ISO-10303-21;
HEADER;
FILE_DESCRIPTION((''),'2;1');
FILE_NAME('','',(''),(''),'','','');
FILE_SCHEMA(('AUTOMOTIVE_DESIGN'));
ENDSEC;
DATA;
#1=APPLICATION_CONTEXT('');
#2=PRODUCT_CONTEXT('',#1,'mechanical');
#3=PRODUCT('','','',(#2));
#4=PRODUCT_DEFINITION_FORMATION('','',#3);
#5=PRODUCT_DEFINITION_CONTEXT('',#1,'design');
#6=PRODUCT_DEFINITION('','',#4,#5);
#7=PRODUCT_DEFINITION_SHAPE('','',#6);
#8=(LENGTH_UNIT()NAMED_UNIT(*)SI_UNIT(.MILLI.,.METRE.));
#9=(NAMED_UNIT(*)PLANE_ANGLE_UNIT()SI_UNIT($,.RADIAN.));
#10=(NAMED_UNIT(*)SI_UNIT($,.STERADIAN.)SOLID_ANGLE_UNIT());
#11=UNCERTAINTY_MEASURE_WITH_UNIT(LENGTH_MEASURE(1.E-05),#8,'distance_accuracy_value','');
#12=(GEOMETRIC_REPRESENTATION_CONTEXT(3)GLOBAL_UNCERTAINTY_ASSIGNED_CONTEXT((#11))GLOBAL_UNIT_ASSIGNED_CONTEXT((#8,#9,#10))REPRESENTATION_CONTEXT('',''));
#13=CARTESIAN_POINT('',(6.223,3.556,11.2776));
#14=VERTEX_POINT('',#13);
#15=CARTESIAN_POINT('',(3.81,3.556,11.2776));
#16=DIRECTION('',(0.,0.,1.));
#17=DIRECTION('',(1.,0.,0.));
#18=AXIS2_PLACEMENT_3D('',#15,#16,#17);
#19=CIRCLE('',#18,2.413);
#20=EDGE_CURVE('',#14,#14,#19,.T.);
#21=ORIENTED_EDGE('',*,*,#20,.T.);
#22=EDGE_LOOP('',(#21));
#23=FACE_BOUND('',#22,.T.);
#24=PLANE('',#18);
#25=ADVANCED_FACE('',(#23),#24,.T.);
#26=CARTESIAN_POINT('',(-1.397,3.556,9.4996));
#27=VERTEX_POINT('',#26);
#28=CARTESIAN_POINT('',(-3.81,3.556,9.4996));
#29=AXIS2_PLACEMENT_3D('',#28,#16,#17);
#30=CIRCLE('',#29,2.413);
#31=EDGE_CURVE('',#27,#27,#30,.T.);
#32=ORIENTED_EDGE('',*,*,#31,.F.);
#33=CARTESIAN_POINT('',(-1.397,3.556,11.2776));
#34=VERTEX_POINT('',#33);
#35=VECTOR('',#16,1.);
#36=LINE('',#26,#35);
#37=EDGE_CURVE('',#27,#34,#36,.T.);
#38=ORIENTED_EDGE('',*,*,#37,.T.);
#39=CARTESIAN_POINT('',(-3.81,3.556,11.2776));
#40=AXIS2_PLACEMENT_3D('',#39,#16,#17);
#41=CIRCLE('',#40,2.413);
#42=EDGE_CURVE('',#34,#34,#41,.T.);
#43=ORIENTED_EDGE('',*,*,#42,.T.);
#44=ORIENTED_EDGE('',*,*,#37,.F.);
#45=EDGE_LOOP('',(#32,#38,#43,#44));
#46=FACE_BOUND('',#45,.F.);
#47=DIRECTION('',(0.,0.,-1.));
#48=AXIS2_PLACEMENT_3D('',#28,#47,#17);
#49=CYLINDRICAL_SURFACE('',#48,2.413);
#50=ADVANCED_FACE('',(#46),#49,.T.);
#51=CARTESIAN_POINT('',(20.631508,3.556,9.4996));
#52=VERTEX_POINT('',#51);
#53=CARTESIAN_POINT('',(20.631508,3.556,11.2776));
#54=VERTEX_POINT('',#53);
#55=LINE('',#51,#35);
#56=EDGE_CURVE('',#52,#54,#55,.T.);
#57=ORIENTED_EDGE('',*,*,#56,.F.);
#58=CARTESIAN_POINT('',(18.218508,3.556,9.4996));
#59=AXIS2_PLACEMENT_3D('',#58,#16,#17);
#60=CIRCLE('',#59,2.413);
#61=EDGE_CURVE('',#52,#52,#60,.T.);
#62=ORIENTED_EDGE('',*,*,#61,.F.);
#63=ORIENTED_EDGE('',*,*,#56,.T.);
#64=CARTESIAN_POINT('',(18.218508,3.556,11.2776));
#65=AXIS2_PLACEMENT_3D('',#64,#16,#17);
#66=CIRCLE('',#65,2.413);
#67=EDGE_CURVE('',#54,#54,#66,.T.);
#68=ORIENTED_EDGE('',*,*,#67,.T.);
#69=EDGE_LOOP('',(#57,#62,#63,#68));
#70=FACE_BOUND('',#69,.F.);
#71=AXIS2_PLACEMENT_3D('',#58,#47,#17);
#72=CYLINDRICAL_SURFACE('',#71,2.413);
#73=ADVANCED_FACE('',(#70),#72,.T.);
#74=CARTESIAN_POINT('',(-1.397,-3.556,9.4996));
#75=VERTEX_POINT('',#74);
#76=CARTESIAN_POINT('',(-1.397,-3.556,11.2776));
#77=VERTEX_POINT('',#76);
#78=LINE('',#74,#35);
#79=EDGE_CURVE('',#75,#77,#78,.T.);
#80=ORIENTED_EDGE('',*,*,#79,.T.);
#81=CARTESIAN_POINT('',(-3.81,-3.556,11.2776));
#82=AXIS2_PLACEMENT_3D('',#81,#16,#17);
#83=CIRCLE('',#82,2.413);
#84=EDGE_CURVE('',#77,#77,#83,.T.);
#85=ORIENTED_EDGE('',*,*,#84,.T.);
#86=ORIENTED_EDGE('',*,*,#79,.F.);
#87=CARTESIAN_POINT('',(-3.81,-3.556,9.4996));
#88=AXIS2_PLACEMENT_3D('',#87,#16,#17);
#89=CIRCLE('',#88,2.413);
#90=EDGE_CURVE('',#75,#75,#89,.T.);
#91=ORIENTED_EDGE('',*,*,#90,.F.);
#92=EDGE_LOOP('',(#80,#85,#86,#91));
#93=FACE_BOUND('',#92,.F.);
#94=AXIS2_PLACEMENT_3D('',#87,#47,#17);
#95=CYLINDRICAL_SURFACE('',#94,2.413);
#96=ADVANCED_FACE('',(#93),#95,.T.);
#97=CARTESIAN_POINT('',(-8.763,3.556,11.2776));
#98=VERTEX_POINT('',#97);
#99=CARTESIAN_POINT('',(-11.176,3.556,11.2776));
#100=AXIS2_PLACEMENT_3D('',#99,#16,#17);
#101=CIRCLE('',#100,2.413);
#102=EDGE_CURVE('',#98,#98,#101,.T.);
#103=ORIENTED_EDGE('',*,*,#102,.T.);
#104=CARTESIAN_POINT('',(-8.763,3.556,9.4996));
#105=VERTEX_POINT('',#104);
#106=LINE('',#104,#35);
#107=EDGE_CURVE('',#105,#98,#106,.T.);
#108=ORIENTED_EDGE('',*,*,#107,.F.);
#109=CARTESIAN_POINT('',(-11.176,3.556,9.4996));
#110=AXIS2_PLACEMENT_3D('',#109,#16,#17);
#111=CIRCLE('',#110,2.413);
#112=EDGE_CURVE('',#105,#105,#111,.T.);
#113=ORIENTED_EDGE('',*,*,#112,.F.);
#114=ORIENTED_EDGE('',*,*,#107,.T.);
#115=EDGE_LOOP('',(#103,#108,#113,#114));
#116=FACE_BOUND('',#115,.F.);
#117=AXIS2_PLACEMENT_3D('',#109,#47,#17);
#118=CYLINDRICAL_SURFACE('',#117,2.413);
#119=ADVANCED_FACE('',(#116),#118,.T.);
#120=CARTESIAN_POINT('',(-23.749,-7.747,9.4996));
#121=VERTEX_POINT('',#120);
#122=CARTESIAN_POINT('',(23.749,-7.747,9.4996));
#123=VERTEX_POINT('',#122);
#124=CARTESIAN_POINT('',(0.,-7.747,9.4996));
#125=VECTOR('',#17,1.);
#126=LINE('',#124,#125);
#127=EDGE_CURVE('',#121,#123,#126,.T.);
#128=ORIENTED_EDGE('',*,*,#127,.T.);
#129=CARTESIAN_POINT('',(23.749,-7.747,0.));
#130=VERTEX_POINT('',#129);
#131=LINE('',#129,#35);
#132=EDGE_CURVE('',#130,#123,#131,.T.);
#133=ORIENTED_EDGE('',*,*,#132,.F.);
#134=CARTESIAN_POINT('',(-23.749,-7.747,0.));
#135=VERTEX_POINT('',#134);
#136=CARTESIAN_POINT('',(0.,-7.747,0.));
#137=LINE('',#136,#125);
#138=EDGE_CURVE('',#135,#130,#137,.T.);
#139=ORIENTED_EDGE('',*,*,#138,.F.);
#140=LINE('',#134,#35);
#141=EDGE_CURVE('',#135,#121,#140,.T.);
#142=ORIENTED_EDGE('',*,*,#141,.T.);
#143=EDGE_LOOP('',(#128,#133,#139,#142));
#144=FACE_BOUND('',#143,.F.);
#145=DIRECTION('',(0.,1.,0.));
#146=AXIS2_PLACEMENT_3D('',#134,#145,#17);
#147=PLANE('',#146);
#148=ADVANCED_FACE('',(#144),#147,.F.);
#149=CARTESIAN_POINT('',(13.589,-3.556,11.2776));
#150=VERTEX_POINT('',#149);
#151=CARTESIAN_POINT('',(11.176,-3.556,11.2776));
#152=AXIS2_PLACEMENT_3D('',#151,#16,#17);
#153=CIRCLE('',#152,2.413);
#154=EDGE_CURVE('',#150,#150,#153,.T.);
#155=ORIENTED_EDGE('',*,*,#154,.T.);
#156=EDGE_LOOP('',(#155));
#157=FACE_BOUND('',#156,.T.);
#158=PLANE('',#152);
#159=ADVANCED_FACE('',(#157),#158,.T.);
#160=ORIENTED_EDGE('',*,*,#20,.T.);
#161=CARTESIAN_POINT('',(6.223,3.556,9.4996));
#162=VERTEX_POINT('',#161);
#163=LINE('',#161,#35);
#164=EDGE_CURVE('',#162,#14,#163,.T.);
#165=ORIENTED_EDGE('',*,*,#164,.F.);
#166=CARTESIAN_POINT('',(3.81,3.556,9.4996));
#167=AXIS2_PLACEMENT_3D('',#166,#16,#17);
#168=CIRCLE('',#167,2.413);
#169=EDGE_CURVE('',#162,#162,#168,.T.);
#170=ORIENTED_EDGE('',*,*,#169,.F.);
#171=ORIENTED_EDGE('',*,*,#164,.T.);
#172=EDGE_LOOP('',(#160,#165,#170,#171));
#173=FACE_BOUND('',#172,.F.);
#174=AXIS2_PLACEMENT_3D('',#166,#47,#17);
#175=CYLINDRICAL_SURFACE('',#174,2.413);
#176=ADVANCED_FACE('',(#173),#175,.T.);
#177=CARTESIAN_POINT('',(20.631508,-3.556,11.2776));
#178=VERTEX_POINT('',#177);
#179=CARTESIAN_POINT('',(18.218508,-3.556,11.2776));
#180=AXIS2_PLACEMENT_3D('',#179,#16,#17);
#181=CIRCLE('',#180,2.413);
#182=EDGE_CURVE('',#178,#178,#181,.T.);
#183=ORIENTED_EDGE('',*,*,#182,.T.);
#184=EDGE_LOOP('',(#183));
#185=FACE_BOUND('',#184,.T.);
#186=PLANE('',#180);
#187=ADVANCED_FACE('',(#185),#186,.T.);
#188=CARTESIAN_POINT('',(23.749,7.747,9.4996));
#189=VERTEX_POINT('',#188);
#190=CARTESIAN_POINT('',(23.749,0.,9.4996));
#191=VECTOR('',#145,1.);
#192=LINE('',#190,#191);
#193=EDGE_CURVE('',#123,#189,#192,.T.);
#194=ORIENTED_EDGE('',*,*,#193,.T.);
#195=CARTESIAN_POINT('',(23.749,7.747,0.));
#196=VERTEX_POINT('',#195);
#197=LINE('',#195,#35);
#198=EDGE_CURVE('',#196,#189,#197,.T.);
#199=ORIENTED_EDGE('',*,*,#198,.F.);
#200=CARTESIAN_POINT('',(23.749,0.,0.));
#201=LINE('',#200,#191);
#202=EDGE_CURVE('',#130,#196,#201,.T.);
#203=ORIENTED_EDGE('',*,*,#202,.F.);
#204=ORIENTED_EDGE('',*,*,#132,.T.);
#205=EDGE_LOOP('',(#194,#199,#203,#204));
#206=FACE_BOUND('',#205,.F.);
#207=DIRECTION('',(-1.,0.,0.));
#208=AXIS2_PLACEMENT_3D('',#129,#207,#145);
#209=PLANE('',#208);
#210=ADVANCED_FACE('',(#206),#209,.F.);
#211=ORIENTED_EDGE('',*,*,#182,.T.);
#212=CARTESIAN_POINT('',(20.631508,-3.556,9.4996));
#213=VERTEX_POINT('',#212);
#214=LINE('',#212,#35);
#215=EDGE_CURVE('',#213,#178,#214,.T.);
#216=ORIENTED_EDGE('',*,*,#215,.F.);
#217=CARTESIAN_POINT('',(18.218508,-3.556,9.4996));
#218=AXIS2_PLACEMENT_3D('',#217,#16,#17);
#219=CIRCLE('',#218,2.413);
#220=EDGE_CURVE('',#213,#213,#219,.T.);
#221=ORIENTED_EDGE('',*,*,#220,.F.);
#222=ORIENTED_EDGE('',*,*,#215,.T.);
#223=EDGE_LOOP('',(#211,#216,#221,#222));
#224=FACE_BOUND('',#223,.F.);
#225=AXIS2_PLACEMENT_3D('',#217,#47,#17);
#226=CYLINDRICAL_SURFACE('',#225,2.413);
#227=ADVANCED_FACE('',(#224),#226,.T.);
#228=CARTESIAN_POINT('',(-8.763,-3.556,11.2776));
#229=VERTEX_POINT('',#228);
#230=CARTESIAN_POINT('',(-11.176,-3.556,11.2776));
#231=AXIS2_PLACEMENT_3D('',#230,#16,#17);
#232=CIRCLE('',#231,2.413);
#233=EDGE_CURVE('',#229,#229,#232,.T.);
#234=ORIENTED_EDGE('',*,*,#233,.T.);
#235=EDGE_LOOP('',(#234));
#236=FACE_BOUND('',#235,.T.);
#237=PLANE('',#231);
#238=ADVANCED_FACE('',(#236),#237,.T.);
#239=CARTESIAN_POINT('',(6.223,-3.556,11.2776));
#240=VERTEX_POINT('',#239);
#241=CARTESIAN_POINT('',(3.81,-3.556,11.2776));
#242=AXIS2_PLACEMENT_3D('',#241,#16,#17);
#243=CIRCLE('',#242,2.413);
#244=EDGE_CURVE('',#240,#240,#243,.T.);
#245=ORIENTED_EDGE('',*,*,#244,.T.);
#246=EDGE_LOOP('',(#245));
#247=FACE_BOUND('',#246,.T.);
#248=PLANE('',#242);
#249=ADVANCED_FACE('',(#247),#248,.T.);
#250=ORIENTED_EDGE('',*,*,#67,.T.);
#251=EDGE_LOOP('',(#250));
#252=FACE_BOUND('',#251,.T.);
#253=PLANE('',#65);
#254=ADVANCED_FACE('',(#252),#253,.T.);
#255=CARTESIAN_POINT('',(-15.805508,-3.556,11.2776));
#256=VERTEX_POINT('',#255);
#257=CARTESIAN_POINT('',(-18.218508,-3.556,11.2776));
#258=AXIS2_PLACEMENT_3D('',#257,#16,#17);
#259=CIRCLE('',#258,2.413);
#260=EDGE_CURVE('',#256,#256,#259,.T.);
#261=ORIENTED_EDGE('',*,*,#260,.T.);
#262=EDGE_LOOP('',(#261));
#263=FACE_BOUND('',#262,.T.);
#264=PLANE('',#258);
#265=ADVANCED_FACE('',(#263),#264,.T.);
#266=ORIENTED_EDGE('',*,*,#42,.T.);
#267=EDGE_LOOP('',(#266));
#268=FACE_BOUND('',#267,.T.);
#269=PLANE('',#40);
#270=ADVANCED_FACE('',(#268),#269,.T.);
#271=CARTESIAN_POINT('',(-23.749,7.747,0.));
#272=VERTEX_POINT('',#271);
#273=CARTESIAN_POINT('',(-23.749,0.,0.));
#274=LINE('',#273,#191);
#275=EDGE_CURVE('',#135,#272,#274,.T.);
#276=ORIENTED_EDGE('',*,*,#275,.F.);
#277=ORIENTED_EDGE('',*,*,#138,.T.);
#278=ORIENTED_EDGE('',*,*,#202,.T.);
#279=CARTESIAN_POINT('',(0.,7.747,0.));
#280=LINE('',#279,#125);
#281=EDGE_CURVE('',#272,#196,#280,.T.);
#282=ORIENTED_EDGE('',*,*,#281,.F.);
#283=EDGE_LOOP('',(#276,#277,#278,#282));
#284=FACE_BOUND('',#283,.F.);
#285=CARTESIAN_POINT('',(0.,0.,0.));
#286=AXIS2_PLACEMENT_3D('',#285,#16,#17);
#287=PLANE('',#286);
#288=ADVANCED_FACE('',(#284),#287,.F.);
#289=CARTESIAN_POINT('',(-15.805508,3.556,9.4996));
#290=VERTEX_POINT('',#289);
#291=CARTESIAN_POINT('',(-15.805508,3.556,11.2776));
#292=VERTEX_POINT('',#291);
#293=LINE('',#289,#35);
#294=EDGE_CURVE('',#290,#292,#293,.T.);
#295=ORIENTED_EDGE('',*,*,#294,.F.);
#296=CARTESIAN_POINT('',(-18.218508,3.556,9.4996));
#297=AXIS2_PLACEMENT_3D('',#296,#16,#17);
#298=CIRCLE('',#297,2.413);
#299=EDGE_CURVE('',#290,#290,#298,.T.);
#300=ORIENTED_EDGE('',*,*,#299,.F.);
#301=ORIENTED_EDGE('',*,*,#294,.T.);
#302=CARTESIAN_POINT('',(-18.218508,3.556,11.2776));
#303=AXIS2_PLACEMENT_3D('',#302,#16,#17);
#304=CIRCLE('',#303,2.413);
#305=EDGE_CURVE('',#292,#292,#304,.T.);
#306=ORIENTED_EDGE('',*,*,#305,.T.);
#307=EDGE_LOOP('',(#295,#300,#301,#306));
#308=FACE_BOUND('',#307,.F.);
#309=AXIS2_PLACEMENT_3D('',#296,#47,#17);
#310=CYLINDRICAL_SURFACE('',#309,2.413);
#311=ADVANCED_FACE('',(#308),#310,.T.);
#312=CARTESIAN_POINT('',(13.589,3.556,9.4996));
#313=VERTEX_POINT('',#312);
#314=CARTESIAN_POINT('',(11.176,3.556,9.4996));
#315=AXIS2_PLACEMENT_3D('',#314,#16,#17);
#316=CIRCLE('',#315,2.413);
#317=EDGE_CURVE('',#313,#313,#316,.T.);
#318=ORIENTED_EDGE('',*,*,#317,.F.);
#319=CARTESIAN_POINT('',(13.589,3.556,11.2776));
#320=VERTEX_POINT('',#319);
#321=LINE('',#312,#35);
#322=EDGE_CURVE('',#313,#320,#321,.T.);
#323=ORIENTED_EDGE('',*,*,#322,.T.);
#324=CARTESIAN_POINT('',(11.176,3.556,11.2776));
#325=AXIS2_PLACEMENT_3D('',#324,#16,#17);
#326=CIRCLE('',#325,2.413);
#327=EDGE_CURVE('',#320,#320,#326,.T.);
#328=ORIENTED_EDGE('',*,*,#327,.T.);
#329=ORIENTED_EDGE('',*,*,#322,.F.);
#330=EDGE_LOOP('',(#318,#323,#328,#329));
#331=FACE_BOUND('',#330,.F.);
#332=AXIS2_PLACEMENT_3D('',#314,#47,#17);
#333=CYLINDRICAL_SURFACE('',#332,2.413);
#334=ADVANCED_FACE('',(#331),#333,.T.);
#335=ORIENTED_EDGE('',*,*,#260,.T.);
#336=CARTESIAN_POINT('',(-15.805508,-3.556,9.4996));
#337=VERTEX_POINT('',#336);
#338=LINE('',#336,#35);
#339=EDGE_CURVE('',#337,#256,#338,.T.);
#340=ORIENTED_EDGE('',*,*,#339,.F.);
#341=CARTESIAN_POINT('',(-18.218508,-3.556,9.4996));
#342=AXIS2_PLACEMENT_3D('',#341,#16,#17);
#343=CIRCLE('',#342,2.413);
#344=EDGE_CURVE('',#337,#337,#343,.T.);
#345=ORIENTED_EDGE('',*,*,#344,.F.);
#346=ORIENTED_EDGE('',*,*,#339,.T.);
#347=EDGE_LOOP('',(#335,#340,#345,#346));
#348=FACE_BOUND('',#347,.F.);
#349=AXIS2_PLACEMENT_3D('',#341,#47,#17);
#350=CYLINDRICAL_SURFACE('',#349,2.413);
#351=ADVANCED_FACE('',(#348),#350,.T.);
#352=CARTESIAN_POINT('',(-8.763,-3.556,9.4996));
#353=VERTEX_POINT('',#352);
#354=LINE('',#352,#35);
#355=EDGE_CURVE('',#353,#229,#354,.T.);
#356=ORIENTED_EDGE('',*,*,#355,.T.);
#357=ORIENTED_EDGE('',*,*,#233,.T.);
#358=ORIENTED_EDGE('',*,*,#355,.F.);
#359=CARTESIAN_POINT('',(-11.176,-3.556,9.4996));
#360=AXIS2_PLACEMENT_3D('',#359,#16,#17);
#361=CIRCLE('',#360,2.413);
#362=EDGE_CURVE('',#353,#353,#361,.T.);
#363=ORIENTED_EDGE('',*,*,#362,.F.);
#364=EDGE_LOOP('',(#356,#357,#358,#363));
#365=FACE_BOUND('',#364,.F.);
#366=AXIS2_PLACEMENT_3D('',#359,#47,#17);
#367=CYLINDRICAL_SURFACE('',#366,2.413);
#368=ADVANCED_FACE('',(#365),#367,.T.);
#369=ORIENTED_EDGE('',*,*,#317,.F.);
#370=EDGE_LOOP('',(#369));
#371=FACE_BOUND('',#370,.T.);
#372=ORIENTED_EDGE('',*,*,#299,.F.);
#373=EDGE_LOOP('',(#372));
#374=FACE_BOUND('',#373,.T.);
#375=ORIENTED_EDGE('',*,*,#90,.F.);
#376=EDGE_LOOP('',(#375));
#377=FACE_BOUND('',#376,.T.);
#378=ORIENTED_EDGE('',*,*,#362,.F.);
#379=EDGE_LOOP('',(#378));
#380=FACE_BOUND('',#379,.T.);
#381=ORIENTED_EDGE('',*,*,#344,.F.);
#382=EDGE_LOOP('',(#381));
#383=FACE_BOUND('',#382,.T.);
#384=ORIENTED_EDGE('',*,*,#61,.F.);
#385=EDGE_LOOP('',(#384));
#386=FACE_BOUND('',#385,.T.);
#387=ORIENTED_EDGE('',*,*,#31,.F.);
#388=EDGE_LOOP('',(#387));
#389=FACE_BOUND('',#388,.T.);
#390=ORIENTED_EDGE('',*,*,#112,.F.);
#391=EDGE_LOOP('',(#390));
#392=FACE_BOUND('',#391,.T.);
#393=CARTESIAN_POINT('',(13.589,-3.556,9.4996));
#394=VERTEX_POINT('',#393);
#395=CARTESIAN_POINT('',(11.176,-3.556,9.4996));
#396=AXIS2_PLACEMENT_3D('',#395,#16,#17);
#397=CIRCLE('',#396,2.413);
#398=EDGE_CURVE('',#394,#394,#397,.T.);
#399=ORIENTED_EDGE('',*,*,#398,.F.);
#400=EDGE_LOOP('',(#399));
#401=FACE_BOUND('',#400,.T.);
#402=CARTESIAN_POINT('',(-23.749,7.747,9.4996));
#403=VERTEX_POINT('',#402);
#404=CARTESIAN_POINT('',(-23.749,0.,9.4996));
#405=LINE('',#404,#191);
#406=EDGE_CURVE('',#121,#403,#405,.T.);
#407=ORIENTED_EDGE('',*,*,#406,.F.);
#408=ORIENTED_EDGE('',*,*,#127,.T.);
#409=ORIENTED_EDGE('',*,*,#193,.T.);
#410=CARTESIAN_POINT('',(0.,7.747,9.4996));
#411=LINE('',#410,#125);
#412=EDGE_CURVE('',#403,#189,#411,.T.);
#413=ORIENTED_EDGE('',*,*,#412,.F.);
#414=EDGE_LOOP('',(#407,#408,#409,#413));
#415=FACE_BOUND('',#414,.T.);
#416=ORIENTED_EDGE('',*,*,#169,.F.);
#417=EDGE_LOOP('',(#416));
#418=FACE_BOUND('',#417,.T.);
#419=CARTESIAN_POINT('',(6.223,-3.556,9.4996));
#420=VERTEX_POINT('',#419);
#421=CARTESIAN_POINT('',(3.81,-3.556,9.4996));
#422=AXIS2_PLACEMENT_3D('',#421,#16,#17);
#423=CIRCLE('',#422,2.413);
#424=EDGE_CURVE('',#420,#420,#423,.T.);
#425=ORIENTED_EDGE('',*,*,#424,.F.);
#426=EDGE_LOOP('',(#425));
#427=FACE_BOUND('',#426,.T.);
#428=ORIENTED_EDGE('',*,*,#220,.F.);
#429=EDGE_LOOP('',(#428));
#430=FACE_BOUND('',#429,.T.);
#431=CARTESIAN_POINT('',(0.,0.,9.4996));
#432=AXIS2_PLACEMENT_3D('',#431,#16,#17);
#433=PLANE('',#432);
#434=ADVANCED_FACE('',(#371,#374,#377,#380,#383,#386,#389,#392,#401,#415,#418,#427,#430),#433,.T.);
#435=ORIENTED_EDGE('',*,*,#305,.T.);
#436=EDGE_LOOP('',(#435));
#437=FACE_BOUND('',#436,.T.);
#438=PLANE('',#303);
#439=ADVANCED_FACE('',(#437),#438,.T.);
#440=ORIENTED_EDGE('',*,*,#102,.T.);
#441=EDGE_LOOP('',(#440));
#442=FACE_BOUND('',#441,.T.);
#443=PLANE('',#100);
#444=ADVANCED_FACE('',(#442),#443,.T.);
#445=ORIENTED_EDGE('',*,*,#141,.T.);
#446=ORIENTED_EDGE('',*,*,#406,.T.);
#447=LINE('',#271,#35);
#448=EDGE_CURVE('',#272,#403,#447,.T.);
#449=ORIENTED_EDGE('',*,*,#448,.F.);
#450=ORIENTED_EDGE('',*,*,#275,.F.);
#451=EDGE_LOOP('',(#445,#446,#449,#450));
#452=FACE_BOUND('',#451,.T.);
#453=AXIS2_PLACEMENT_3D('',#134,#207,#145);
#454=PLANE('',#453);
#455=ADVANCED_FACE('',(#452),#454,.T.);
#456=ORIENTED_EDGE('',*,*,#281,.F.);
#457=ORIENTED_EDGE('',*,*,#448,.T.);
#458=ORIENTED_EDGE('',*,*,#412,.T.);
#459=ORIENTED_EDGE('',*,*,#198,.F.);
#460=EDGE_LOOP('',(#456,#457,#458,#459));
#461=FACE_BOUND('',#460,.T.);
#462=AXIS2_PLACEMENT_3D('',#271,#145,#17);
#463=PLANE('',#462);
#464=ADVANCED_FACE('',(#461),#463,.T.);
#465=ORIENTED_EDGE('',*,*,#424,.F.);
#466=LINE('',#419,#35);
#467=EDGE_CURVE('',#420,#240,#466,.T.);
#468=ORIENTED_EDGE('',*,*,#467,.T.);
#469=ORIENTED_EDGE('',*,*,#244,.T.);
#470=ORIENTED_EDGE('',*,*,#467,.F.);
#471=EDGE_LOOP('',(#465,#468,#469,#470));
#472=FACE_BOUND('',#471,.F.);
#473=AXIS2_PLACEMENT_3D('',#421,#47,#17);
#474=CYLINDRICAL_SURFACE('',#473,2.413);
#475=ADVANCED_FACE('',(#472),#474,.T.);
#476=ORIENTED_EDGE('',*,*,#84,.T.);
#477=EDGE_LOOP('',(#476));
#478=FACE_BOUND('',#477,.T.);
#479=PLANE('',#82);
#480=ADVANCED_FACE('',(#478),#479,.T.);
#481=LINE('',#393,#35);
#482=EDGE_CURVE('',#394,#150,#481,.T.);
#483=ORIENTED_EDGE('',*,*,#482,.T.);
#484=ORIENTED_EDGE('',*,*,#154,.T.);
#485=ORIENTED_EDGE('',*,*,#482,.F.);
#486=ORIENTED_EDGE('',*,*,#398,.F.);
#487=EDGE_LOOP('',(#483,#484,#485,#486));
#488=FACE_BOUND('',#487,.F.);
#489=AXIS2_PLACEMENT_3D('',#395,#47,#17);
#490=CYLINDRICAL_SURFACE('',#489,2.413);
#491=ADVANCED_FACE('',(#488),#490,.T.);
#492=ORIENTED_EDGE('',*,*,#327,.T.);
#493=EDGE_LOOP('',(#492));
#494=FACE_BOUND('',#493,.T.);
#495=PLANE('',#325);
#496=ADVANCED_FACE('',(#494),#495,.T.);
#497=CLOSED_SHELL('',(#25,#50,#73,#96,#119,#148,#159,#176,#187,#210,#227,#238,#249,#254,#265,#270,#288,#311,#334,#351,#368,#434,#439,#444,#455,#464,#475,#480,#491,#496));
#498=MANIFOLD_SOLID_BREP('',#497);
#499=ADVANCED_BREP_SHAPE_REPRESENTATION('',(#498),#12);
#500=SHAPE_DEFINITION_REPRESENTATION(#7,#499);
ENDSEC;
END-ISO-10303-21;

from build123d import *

# Parameters (mm, degrees)
F0_W     = 47.498
F0_H     = 15.494
F1_DEPTH = 9.4996
F2_R     = 2.413
F3_DEPTH = 1.778


with BuildPart() as f1:
    # F0 (on Top) → F1 (new body)
    with BuildSketch(Plane.XY):
        Rectangle(F0_W, F0_H)
    extrude(amount=F1_DEPTH)

    # F2 (on face) → F3 (join)
    with BuildSketch(Plane.XY.offset(9.4996)):
        with Locations((-18.218508, 3.556)):
            Circle(F2_R)
        with Locations((-11.176, 3.556)):
            Circle(F2_R)
        with Locations((-3.81, 3.556)):
            Circle(F2_R)
        with Locations((3.81, 3.556)):
            Circle(F2_R)
        with Locations((11.176, 3.556)):
            Circle(F2_R)
        with Locations((18.218508, 3.556)):
            Circle(F2_R)
        with Locations((18.218508, -3.556)):
            Circle(F2_R)
        with Locations((11.176, -3.556)):
            Circle(F2_R)
        with Locations((-11.176, -3.556)):
            Circle(F2_R)
        with Locations((-3.81, -3.556)):
            Circle(F2_R)
        with Locations((3.81, -3.556)):
            Circle(F2_R)
        with Locations((-18.218508, -3.556)):
            Circle(F2_R)
    extrude(amount=F3_DEPTH)


solid = f1.part
